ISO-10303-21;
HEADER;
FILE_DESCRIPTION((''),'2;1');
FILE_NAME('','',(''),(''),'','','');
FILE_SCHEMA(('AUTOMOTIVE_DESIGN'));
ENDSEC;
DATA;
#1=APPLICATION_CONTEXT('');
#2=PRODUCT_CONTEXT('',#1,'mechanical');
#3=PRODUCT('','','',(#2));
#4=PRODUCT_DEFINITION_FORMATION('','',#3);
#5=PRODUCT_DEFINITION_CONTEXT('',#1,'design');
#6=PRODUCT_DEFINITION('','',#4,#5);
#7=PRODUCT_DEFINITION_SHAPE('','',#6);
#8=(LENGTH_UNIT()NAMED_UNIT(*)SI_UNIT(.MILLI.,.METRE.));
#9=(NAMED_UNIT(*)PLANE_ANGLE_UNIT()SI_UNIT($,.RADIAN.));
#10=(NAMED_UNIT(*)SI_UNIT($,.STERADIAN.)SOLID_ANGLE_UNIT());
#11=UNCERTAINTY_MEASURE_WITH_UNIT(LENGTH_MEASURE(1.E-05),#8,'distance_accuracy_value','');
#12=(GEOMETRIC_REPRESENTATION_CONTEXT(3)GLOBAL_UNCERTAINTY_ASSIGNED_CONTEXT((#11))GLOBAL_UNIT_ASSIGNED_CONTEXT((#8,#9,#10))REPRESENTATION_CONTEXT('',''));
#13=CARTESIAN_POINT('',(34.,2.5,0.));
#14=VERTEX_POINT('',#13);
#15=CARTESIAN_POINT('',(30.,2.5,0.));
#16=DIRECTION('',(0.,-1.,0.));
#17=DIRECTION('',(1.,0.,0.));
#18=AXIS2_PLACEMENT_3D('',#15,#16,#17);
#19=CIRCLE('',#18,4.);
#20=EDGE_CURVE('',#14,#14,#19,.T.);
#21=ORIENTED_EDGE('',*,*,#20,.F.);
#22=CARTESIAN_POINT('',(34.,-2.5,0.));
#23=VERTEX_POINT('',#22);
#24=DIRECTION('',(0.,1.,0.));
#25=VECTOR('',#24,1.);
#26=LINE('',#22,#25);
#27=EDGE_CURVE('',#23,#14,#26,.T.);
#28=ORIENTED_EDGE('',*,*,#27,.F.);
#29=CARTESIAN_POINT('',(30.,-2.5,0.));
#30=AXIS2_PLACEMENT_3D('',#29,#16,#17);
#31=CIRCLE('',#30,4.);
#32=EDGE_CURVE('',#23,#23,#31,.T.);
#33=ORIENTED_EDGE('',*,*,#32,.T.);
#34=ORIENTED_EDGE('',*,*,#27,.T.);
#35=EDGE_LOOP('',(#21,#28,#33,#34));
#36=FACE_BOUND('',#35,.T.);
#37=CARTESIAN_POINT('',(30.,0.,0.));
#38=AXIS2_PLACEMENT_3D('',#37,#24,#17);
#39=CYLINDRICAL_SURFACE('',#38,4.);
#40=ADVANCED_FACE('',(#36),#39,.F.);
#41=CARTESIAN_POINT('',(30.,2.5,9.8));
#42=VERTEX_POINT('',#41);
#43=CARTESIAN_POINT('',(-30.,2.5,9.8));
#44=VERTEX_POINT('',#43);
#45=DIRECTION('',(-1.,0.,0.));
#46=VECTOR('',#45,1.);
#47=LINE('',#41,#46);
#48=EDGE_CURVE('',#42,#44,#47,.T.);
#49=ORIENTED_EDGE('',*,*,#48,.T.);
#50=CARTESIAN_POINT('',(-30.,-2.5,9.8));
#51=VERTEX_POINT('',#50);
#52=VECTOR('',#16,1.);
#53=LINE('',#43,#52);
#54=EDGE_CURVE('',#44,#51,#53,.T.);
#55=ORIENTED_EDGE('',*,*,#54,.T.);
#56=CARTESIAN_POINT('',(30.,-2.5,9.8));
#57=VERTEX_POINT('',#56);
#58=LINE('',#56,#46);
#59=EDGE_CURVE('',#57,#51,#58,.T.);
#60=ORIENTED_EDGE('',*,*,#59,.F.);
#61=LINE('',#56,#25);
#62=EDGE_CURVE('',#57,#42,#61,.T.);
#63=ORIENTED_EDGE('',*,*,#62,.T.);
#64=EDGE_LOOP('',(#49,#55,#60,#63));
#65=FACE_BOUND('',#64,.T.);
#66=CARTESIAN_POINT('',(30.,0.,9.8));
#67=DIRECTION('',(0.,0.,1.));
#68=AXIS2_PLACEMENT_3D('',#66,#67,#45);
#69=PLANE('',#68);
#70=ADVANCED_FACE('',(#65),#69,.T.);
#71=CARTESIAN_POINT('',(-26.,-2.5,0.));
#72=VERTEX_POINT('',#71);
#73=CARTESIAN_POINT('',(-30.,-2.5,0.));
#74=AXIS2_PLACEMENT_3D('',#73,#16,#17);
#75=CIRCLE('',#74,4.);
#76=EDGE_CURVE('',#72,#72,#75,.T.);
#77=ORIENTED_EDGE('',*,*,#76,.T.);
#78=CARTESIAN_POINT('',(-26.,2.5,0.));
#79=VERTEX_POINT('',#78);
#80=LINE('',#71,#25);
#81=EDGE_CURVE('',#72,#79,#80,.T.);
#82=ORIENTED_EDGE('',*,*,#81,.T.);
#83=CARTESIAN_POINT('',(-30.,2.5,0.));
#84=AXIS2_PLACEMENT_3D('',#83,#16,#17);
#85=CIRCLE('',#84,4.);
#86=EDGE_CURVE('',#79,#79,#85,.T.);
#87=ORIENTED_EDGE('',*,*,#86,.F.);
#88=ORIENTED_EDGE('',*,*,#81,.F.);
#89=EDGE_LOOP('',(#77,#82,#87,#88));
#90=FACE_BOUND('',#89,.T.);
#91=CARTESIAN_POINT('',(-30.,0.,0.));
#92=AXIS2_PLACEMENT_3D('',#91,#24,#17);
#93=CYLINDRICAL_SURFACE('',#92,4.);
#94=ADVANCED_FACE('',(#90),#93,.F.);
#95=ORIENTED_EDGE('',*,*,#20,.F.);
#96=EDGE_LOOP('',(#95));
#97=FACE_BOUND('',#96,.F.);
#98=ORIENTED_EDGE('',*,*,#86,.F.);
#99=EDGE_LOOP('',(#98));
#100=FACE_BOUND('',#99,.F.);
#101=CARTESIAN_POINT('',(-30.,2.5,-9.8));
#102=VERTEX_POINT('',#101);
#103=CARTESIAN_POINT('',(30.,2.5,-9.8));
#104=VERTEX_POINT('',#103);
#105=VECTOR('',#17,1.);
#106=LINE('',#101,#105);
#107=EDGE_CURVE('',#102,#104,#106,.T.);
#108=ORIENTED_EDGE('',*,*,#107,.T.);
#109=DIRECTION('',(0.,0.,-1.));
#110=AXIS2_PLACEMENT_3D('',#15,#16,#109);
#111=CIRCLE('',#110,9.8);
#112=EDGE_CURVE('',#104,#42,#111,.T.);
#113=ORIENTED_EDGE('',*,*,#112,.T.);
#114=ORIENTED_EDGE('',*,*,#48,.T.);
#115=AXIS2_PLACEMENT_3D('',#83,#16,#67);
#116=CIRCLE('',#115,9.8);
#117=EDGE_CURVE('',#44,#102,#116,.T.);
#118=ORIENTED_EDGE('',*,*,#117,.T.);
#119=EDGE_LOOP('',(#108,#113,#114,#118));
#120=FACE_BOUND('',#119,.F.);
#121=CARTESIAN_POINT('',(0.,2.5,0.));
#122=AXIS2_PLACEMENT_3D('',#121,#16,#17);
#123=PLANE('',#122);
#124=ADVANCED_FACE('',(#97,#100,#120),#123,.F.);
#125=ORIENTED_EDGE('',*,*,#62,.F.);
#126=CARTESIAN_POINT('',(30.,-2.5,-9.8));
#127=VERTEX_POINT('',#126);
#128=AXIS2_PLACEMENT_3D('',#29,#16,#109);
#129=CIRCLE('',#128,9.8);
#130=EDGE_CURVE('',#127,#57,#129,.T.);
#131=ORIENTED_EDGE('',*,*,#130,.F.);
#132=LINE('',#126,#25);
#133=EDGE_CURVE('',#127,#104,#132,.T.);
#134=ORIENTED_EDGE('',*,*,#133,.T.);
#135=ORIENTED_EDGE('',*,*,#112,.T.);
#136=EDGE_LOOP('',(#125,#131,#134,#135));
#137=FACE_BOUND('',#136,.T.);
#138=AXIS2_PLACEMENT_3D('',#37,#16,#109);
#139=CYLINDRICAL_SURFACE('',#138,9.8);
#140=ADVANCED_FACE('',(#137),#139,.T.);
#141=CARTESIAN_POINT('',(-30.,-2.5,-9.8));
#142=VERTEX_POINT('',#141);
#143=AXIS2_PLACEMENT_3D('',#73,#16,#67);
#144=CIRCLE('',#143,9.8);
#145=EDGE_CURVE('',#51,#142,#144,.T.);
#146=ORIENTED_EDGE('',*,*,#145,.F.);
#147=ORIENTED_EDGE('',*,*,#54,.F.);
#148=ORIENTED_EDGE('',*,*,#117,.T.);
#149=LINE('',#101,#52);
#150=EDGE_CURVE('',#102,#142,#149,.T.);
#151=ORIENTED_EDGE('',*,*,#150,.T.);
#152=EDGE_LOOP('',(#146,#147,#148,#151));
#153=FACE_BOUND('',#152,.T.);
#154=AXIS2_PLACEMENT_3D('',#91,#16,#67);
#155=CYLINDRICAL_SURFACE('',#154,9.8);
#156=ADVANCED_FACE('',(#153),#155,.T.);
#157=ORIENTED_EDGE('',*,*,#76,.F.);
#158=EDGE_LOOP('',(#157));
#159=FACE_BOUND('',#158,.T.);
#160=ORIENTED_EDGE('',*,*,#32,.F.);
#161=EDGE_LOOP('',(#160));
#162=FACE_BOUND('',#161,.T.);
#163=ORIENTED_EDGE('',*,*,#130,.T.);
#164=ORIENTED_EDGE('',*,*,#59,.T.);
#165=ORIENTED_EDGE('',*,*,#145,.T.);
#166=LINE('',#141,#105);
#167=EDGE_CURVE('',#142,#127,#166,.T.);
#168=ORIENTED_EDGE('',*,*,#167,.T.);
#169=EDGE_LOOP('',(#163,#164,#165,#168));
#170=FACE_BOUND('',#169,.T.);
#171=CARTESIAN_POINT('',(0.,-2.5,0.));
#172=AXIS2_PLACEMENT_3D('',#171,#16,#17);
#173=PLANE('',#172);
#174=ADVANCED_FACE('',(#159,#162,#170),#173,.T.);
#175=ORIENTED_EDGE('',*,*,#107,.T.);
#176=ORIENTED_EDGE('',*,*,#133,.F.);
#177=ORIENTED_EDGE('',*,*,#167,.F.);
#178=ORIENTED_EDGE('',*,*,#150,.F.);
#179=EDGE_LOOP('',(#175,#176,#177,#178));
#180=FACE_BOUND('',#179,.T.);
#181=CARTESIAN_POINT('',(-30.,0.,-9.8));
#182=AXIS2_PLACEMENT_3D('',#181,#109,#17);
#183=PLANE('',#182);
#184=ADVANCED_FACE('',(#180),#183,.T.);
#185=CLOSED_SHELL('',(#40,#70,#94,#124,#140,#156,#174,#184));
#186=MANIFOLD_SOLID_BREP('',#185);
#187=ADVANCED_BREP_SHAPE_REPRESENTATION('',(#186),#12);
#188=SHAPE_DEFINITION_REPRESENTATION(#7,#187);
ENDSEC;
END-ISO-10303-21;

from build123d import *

# Parameters (mm, degrees)
F0_R     = 4
F1_DEPTH = 2.5


with BuildPart() as f1:
    # F0 (on Front) → F1 (new body, symmetric)
    with BuildSketch(Plane.XZ):
        with BuildLine():
            Line((30, 9.8), (0, 9.8))
            Line((0, 9.8), (-30, 9.8))
            ThreePointArc((-30, 9.8), (-39.8, 0), (-30, -9.8))
            Line((-30, -9.8), (0, -9.8))
            Line((0, -9.8), (30, -9.8))
            ThreePointArc((30, -9.8), (39.8, 0), (30, 9.8))
        make_face()
        with Locations((-30, 0)):
            Circle(F0_R, mode=Mode.SUBTRACT)
        with Locations((30, 0)):
            Circle(F0_R, mode=Mode.SUBTRACT)
    extrude(amount=F1_DEPTH, both=True)


solid = f1.part
